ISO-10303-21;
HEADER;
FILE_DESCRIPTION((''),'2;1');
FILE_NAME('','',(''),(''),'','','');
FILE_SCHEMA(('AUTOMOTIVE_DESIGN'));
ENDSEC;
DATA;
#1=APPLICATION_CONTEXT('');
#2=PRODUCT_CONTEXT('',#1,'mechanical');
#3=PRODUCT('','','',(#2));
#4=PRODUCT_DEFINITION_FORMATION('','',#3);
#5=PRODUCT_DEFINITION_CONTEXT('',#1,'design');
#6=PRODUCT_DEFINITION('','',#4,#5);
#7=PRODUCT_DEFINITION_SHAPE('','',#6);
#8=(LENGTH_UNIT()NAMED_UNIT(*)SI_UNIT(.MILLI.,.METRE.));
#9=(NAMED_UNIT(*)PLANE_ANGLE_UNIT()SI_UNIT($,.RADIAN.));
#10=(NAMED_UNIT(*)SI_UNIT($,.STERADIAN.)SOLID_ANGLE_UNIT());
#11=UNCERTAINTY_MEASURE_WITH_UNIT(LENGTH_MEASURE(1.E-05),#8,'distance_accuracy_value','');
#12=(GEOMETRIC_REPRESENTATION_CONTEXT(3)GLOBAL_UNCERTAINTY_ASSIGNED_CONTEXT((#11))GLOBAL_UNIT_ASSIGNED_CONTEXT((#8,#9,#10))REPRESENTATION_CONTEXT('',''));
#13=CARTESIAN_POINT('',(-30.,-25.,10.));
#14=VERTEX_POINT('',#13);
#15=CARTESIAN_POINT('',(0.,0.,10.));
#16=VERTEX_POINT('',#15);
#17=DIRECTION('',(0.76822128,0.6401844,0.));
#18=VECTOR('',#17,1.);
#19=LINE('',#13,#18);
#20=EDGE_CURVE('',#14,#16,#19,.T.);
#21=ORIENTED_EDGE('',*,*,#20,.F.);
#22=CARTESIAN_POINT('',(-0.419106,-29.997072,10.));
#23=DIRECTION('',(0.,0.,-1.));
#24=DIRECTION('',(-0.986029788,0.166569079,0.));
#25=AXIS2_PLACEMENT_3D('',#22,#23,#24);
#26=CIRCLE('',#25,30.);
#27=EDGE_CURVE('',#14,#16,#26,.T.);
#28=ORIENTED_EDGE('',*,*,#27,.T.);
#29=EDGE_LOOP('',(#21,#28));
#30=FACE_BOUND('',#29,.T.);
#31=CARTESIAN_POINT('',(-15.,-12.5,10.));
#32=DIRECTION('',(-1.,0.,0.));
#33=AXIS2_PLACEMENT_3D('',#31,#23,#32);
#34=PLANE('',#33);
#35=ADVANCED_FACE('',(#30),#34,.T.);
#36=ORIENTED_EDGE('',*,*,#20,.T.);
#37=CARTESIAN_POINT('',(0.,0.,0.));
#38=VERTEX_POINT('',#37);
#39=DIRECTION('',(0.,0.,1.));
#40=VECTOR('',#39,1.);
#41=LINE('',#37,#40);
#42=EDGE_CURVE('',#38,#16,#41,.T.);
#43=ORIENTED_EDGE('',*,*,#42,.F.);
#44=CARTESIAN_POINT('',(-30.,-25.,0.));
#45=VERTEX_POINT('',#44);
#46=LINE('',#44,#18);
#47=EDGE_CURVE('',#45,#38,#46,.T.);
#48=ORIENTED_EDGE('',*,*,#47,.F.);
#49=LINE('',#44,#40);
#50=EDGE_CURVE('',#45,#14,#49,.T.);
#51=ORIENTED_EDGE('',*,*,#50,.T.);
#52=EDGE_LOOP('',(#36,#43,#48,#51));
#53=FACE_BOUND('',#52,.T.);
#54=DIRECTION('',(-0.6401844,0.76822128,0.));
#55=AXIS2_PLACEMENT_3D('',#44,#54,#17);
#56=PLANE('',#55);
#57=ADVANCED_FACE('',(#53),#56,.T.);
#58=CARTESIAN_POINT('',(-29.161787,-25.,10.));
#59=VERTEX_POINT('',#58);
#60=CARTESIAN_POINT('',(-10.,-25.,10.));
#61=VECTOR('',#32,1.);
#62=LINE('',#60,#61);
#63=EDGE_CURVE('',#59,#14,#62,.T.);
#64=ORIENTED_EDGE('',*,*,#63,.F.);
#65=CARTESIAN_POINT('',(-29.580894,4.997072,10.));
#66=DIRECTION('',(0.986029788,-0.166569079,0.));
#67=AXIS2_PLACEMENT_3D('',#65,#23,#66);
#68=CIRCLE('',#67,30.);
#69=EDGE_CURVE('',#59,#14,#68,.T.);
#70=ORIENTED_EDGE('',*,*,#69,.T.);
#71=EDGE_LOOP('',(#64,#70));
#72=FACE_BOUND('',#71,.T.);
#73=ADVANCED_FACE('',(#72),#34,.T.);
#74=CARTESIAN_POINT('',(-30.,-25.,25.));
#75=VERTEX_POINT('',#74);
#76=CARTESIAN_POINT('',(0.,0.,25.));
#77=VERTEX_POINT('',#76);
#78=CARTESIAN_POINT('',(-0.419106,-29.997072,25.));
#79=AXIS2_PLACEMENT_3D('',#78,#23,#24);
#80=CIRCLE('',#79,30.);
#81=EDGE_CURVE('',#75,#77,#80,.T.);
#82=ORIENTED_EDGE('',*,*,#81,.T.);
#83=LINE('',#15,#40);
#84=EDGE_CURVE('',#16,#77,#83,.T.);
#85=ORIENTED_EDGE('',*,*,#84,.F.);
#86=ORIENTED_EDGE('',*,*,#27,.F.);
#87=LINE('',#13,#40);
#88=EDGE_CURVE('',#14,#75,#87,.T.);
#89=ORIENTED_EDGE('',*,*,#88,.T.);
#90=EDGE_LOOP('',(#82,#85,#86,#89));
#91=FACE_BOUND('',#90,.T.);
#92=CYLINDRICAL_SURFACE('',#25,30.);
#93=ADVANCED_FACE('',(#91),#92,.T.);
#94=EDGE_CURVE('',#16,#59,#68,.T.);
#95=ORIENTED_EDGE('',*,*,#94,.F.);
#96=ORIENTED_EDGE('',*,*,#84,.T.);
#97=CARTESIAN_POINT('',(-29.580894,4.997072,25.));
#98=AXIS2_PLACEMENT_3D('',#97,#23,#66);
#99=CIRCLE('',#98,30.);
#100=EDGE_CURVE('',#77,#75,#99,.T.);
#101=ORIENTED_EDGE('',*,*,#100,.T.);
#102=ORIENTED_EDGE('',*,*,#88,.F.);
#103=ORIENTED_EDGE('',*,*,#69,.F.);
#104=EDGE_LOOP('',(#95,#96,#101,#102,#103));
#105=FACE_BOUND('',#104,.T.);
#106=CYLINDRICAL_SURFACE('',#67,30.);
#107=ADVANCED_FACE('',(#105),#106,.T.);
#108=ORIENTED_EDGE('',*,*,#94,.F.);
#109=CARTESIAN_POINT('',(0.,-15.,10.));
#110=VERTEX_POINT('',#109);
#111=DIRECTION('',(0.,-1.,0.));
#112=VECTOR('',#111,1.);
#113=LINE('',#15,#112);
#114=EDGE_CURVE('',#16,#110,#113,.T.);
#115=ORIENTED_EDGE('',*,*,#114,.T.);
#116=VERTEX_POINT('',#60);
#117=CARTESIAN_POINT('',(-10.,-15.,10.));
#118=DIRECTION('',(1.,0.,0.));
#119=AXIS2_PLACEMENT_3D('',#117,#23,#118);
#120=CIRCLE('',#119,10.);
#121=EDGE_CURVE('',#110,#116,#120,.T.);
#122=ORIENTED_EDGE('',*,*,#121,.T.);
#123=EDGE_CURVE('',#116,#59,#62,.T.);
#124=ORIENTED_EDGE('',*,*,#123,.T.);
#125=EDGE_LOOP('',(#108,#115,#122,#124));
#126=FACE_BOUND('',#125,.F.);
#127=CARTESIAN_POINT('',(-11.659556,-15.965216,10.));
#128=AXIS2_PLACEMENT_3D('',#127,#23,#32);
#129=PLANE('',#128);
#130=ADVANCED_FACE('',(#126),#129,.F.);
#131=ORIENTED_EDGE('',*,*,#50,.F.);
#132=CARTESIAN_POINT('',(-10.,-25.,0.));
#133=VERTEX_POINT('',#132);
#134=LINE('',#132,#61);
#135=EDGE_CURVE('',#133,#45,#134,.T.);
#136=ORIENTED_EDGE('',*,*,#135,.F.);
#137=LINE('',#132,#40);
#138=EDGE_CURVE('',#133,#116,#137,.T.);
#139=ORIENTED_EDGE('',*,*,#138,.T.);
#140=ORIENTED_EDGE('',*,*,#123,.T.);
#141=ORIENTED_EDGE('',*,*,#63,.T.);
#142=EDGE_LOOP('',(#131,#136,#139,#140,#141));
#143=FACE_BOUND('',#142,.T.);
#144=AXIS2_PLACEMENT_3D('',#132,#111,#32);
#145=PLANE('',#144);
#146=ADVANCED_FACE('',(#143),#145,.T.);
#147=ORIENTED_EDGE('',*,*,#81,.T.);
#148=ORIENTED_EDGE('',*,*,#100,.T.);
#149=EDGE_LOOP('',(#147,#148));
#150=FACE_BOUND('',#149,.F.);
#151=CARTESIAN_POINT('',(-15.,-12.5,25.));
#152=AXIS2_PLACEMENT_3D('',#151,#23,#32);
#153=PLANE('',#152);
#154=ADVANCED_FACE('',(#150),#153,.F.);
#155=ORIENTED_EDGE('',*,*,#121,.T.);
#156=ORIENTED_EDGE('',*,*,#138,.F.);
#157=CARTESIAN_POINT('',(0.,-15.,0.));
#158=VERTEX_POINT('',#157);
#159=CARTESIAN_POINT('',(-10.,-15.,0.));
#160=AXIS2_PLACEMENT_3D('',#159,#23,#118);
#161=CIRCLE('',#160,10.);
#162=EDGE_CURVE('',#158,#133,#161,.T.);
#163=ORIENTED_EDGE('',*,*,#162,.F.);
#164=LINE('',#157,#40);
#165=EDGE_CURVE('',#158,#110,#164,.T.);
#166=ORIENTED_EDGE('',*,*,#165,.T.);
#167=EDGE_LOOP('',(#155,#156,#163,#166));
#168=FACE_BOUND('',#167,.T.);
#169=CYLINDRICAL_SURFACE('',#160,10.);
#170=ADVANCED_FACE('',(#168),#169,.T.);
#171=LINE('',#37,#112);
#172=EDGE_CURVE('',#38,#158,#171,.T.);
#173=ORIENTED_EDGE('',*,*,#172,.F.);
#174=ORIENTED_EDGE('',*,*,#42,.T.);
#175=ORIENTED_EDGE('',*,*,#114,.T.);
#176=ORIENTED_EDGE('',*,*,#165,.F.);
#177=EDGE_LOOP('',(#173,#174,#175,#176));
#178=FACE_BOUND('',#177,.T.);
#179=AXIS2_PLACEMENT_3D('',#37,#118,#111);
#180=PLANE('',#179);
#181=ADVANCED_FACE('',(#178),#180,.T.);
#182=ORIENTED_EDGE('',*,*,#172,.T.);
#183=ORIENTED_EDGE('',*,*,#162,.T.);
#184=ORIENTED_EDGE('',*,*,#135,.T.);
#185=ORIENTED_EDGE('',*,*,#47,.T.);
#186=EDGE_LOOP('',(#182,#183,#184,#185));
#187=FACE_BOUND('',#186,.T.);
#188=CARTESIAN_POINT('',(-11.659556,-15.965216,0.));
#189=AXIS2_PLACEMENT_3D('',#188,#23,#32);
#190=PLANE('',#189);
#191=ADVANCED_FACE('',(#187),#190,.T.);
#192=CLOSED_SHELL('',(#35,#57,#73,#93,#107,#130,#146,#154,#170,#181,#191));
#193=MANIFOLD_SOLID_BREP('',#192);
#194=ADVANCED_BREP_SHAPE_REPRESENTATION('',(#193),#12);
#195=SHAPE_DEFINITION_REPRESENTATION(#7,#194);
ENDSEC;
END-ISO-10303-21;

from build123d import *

# Parameters (mm, degrees)
BOSS_EXTRUDE1_DEPTH = 10
BOSS_EXTRUDE2_DEPTH = 15


with BuildPart() as part:
    # Sketch1 → Boss-Extrude1 (new body)
    with BuildSketch(Plane.XY):
        with BuildLine():
            Line((-30, -25), (0, 0))
            Line((0, 0), (0, -15))
            ThreePointArc((0, -15), (-2.928932188, -22.071067812), (-10, -25))
            Line((-10, -25), (-30, -25))
        make_face()
    extrude(amount=BOSS_EXTRUDE1_DEPTH)

    # Sketch3 → Boss-Extrude2 (add)
    with BuildSketch(Plane.XY.offset(10)):
        with BuildLine():
            ThreePointArc((-30, -25), (-19.624638361, -6.950433967), (0, 0))
            ThreePointArc((0, 0), (-10.375361639, -18.049566033), (-30, -25))
        make_face()
    extrude(amount=BOSS_EXTRUDE2_DEPTH)


solid = part.part
